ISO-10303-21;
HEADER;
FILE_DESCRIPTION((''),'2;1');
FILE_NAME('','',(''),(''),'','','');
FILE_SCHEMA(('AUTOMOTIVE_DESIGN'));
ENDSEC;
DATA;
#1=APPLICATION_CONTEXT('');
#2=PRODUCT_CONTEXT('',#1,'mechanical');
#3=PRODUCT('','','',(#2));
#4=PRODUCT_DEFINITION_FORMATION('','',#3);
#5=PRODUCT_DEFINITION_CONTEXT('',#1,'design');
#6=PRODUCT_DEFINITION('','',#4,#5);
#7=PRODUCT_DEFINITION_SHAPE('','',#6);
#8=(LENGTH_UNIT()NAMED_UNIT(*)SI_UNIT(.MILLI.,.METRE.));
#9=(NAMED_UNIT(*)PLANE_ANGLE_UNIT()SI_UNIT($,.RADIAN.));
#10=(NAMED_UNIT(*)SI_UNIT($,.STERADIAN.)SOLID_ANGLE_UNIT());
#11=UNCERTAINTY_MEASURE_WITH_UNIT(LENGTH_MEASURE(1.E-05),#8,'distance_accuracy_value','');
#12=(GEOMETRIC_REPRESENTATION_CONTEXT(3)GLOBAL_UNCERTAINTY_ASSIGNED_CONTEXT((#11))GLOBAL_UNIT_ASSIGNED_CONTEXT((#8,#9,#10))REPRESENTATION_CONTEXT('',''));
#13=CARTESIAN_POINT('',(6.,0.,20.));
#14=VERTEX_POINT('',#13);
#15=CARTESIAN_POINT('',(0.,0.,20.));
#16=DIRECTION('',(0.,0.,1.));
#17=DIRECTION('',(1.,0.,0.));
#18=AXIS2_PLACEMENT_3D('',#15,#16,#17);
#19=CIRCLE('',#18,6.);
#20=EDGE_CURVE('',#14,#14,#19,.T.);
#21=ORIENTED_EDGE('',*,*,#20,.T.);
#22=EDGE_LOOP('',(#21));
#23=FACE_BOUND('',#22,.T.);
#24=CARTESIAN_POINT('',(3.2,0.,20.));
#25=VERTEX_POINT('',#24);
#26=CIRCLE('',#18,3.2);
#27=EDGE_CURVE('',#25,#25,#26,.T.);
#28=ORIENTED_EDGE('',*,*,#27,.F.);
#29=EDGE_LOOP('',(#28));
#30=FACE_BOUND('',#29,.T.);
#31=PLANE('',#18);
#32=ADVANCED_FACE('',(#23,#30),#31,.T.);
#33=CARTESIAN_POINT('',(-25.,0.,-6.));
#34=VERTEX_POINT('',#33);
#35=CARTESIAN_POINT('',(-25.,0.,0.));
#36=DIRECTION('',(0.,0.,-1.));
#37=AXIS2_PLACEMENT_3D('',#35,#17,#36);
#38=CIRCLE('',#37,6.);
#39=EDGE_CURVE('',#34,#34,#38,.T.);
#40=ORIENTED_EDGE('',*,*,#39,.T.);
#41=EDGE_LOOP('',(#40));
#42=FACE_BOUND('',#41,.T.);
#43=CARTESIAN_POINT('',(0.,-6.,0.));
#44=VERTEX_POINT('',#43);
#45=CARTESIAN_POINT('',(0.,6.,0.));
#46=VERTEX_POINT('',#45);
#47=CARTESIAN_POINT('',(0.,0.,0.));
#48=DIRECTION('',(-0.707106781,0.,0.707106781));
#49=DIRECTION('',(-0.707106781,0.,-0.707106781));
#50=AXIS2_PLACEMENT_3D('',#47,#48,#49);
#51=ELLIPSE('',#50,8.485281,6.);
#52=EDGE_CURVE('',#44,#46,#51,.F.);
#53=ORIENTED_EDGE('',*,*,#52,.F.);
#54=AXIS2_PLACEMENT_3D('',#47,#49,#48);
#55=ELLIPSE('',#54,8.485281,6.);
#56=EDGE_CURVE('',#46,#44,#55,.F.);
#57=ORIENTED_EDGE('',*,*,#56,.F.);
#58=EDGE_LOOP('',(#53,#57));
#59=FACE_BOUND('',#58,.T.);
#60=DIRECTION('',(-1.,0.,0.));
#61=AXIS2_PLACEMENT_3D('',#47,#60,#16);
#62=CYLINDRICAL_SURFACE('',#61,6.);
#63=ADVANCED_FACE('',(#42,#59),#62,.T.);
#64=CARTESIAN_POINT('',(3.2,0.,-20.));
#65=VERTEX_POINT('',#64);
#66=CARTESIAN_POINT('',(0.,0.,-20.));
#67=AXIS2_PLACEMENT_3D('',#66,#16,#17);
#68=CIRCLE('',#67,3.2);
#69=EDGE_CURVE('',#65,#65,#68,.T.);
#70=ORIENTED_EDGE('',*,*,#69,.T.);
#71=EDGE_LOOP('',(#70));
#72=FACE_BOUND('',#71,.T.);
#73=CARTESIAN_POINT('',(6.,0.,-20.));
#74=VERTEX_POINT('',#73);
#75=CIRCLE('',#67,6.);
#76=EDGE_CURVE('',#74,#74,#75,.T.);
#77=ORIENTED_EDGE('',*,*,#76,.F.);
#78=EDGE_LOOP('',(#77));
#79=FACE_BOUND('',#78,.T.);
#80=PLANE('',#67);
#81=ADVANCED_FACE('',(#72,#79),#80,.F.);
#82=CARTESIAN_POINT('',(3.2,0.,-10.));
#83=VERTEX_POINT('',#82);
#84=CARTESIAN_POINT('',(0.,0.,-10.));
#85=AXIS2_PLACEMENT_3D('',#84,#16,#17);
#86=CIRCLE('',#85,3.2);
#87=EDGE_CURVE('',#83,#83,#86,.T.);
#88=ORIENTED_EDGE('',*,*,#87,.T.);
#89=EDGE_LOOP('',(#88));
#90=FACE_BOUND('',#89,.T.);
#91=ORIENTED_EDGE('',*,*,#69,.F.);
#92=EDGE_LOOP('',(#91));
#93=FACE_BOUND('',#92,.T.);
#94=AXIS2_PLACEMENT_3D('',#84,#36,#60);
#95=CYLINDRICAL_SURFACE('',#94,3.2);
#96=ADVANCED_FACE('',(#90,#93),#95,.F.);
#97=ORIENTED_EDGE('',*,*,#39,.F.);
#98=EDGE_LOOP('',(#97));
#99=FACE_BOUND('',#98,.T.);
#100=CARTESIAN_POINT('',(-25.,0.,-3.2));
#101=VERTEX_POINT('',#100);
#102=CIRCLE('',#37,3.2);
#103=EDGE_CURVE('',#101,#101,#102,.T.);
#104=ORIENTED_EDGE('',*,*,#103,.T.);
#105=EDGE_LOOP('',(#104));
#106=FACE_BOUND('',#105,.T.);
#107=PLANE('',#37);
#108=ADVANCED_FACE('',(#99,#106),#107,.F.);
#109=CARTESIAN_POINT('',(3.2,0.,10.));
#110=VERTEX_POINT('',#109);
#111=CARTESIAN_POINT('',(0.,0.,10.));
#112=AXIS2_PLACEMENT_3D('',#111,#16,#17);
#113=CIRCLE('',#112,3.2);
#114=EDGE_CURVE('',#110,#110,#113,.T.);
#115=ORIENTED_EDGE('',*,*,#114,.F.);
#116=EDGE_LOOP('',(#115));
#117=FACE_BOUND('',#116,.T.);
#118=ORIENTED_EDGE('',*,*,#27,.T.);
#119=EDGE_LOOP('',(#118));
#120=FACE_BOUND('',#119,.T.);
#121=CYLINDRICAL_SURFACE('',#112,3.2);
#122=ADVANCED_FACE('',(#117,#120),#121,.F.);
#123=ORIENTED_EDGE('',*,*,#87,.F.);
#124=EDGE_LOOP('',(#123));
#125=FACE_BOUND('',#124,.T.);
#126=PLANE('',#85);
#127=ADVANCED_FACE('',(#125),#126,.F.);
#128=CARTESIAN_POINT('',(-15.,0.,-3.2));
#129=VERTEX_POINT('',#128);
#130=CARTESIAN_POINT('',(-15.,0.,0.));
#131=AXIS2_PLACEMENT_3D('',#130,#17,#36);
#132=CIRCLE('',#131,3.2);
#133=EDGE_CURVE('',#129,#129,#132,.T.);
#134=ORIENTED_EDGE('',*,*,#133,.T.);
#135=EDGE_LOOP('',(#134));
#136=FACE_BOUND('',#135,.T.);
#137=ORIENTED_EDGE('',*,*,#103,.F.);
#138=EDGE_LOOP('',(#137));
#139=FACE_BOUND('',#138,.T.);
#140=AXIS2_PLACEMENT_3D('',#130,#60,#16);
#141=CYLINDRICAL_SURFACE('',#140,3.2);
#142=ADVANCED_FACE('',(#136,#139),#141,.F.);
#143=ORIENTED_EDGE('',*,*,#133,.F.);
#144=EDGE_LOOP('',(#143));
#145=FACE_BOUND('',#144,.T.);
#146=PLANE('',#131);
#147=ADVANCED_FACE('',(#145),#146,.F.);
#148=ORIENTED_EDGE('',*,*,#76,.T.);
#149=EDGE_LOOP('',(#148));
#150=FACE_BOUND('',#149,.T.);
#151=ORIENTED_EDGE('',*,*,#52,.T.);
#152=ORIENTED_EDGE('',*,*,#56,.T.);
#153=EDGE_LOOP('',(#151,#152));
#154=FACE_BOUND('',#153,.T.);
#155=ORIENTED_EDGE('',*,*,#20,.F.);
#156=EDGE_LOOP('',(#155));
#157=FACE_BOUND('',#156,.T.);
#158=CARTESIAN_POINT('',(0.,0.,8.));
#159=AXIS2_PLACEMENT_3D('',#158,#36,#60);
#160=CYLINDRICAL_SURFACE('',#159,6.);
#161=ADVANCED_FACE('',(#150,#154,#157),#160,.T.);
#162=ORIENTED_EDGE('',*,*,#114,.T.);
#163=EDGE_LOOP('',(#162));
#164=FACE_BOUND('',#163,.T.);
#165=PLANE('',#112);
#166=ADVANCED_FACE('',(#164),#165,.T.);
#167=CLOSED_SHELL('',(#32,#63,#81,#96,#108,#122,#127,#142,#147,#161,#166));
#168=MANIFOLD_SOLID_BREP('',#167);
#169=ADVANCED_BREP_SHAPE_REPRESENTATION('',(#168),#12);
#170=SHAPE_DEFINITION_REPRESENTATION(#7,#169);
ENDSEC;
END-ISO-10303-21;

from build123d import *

# Parameters (mm, degrees)
BRANCH_HUB_START       = -13
SKETCH1_R              = 6
BRANCH_HUB_DEPTH       = 13
RUN_BACK_PORT_START    = -20
SKETCH2_R              = 6
RUN_BACK_PORT_DEPTH    = 12
RUN_BACK_SOCKET_START  = -20
SKETCH3_R              = 3.2
RUN_BACK_SOCKET_DEPTH  = 10
RUN_FRONT_PORT_START   = 8
SKETCH4_R              = 6
RUN_FRONT_PORT_DEPTH   = 12
RUN_FRONT_SOCKET_START = 20
SKETCH5_R              = 3.2
RUN_FRONT_SOCKET_DEPTH = 10
RUN_HUB_START          = -8
SKETCH6_R              = 6
RUN_HUB_DEPTH          = 16
BRANCH_PORT_START      = -25
SKETCH7_R              = 6
BRANCH_PORT_DEPTH      = 12
BRANCH_SOCKET_START    = -25
SKETCH8_R              = 3.2
BRANCH_SOCKET_DEPTH    = 10


with BuildPart() as part:
    # Sketch1 → Branch_Hub (new body)
    with BuildSketch(Plane(origin=(0, 0, 0), x_dir=(0, 0, -1), z_dir=(1, 0, 0)).offset(BRANCH_HUB_START)):
        Circle(SKETCH1_R)
    extrude(amount=BRANCH_HUB_DEPTH)



with BuildPart() as body_2:
    # Sketch2 → Run_Back_Port (new body)
    with BuildSketch(Plane.XY.offset(RUN_BACK_PORT_START)):
        Circle(SKETCH2_R)
    extrude(amount=RUN_BACK_PORT_DEPTH)

    # Sketch3 → Run_Back_Socket (cut)
    with BuildSketch(Plane.XY.offset(RUN_BACK_SOCKET_START)):
        Circle(SKETCH3_R)
    extrude(amount=RUN_BACK_SOCKET_DEPTH, mode=Mode.SUBTRACT)


with BuildPart() as body_3:
    # Sketch4 → Run_Front_Port (new body)
    with BuildSketch(Plane.XY.offset(RUN_FRONT_PORT_START)):
        Circle(SKETCH4_R)
    extrude(amount=RUN_FRONT_PORT_DEPTH)

    # Sketch5 → Run_Front_Socket (cut)
    with BuildSketch(Plane.XY.offset(RUN_FRONT_SOCKET_START)):
        Circle(SKETCH5_R)
    extrude(amount=-RUN_FRONT_SOCKET_DEPTH, mode=Mode.SUBTRACT)


with BuildPart() as part_1:
    add(part.part)

    add(body_2.part)  # Run_Hub merges body 2

    add(body_3.part)  # Run_Hub merges body 3
    # Sketch6 → Run_Hub (add)
    with BuildSketch(Plane.XY.offset(RUN_HUB_START)):
        Circle(SKETCH6_R)
    extrude(amount=RUN_HUB_DEPTH)

    # Sketch7 → Branch_Port (add)
    with BuildSketch(Plane(origin=(0, 0, 0), x_dir=(0, 0, -1), z_dir=(1, 0, 0)).offset(BRANCH_PORT_START)):
        with Locations(Location((0, 0, 0), (0, 0, 90))):
            Circle(SKETCH7_R)
    extrude(amount=BRANCH_PORT_DEPTH)

    # Sketch8 → Branch_Socket (cut)
    with BuildSketch(Plane(origin=(0, 0, 0), x_dir=(0, 0, -1), z_dir=(1, 0, 0)).offset(BRANCH_SOCKET_START)):
        Circle(SKETCH8_R)
    extrude(amount=BRANCH_SOCKET_DEPTH, mode=Mode.SUBTRACT)


solid = part_1.part
